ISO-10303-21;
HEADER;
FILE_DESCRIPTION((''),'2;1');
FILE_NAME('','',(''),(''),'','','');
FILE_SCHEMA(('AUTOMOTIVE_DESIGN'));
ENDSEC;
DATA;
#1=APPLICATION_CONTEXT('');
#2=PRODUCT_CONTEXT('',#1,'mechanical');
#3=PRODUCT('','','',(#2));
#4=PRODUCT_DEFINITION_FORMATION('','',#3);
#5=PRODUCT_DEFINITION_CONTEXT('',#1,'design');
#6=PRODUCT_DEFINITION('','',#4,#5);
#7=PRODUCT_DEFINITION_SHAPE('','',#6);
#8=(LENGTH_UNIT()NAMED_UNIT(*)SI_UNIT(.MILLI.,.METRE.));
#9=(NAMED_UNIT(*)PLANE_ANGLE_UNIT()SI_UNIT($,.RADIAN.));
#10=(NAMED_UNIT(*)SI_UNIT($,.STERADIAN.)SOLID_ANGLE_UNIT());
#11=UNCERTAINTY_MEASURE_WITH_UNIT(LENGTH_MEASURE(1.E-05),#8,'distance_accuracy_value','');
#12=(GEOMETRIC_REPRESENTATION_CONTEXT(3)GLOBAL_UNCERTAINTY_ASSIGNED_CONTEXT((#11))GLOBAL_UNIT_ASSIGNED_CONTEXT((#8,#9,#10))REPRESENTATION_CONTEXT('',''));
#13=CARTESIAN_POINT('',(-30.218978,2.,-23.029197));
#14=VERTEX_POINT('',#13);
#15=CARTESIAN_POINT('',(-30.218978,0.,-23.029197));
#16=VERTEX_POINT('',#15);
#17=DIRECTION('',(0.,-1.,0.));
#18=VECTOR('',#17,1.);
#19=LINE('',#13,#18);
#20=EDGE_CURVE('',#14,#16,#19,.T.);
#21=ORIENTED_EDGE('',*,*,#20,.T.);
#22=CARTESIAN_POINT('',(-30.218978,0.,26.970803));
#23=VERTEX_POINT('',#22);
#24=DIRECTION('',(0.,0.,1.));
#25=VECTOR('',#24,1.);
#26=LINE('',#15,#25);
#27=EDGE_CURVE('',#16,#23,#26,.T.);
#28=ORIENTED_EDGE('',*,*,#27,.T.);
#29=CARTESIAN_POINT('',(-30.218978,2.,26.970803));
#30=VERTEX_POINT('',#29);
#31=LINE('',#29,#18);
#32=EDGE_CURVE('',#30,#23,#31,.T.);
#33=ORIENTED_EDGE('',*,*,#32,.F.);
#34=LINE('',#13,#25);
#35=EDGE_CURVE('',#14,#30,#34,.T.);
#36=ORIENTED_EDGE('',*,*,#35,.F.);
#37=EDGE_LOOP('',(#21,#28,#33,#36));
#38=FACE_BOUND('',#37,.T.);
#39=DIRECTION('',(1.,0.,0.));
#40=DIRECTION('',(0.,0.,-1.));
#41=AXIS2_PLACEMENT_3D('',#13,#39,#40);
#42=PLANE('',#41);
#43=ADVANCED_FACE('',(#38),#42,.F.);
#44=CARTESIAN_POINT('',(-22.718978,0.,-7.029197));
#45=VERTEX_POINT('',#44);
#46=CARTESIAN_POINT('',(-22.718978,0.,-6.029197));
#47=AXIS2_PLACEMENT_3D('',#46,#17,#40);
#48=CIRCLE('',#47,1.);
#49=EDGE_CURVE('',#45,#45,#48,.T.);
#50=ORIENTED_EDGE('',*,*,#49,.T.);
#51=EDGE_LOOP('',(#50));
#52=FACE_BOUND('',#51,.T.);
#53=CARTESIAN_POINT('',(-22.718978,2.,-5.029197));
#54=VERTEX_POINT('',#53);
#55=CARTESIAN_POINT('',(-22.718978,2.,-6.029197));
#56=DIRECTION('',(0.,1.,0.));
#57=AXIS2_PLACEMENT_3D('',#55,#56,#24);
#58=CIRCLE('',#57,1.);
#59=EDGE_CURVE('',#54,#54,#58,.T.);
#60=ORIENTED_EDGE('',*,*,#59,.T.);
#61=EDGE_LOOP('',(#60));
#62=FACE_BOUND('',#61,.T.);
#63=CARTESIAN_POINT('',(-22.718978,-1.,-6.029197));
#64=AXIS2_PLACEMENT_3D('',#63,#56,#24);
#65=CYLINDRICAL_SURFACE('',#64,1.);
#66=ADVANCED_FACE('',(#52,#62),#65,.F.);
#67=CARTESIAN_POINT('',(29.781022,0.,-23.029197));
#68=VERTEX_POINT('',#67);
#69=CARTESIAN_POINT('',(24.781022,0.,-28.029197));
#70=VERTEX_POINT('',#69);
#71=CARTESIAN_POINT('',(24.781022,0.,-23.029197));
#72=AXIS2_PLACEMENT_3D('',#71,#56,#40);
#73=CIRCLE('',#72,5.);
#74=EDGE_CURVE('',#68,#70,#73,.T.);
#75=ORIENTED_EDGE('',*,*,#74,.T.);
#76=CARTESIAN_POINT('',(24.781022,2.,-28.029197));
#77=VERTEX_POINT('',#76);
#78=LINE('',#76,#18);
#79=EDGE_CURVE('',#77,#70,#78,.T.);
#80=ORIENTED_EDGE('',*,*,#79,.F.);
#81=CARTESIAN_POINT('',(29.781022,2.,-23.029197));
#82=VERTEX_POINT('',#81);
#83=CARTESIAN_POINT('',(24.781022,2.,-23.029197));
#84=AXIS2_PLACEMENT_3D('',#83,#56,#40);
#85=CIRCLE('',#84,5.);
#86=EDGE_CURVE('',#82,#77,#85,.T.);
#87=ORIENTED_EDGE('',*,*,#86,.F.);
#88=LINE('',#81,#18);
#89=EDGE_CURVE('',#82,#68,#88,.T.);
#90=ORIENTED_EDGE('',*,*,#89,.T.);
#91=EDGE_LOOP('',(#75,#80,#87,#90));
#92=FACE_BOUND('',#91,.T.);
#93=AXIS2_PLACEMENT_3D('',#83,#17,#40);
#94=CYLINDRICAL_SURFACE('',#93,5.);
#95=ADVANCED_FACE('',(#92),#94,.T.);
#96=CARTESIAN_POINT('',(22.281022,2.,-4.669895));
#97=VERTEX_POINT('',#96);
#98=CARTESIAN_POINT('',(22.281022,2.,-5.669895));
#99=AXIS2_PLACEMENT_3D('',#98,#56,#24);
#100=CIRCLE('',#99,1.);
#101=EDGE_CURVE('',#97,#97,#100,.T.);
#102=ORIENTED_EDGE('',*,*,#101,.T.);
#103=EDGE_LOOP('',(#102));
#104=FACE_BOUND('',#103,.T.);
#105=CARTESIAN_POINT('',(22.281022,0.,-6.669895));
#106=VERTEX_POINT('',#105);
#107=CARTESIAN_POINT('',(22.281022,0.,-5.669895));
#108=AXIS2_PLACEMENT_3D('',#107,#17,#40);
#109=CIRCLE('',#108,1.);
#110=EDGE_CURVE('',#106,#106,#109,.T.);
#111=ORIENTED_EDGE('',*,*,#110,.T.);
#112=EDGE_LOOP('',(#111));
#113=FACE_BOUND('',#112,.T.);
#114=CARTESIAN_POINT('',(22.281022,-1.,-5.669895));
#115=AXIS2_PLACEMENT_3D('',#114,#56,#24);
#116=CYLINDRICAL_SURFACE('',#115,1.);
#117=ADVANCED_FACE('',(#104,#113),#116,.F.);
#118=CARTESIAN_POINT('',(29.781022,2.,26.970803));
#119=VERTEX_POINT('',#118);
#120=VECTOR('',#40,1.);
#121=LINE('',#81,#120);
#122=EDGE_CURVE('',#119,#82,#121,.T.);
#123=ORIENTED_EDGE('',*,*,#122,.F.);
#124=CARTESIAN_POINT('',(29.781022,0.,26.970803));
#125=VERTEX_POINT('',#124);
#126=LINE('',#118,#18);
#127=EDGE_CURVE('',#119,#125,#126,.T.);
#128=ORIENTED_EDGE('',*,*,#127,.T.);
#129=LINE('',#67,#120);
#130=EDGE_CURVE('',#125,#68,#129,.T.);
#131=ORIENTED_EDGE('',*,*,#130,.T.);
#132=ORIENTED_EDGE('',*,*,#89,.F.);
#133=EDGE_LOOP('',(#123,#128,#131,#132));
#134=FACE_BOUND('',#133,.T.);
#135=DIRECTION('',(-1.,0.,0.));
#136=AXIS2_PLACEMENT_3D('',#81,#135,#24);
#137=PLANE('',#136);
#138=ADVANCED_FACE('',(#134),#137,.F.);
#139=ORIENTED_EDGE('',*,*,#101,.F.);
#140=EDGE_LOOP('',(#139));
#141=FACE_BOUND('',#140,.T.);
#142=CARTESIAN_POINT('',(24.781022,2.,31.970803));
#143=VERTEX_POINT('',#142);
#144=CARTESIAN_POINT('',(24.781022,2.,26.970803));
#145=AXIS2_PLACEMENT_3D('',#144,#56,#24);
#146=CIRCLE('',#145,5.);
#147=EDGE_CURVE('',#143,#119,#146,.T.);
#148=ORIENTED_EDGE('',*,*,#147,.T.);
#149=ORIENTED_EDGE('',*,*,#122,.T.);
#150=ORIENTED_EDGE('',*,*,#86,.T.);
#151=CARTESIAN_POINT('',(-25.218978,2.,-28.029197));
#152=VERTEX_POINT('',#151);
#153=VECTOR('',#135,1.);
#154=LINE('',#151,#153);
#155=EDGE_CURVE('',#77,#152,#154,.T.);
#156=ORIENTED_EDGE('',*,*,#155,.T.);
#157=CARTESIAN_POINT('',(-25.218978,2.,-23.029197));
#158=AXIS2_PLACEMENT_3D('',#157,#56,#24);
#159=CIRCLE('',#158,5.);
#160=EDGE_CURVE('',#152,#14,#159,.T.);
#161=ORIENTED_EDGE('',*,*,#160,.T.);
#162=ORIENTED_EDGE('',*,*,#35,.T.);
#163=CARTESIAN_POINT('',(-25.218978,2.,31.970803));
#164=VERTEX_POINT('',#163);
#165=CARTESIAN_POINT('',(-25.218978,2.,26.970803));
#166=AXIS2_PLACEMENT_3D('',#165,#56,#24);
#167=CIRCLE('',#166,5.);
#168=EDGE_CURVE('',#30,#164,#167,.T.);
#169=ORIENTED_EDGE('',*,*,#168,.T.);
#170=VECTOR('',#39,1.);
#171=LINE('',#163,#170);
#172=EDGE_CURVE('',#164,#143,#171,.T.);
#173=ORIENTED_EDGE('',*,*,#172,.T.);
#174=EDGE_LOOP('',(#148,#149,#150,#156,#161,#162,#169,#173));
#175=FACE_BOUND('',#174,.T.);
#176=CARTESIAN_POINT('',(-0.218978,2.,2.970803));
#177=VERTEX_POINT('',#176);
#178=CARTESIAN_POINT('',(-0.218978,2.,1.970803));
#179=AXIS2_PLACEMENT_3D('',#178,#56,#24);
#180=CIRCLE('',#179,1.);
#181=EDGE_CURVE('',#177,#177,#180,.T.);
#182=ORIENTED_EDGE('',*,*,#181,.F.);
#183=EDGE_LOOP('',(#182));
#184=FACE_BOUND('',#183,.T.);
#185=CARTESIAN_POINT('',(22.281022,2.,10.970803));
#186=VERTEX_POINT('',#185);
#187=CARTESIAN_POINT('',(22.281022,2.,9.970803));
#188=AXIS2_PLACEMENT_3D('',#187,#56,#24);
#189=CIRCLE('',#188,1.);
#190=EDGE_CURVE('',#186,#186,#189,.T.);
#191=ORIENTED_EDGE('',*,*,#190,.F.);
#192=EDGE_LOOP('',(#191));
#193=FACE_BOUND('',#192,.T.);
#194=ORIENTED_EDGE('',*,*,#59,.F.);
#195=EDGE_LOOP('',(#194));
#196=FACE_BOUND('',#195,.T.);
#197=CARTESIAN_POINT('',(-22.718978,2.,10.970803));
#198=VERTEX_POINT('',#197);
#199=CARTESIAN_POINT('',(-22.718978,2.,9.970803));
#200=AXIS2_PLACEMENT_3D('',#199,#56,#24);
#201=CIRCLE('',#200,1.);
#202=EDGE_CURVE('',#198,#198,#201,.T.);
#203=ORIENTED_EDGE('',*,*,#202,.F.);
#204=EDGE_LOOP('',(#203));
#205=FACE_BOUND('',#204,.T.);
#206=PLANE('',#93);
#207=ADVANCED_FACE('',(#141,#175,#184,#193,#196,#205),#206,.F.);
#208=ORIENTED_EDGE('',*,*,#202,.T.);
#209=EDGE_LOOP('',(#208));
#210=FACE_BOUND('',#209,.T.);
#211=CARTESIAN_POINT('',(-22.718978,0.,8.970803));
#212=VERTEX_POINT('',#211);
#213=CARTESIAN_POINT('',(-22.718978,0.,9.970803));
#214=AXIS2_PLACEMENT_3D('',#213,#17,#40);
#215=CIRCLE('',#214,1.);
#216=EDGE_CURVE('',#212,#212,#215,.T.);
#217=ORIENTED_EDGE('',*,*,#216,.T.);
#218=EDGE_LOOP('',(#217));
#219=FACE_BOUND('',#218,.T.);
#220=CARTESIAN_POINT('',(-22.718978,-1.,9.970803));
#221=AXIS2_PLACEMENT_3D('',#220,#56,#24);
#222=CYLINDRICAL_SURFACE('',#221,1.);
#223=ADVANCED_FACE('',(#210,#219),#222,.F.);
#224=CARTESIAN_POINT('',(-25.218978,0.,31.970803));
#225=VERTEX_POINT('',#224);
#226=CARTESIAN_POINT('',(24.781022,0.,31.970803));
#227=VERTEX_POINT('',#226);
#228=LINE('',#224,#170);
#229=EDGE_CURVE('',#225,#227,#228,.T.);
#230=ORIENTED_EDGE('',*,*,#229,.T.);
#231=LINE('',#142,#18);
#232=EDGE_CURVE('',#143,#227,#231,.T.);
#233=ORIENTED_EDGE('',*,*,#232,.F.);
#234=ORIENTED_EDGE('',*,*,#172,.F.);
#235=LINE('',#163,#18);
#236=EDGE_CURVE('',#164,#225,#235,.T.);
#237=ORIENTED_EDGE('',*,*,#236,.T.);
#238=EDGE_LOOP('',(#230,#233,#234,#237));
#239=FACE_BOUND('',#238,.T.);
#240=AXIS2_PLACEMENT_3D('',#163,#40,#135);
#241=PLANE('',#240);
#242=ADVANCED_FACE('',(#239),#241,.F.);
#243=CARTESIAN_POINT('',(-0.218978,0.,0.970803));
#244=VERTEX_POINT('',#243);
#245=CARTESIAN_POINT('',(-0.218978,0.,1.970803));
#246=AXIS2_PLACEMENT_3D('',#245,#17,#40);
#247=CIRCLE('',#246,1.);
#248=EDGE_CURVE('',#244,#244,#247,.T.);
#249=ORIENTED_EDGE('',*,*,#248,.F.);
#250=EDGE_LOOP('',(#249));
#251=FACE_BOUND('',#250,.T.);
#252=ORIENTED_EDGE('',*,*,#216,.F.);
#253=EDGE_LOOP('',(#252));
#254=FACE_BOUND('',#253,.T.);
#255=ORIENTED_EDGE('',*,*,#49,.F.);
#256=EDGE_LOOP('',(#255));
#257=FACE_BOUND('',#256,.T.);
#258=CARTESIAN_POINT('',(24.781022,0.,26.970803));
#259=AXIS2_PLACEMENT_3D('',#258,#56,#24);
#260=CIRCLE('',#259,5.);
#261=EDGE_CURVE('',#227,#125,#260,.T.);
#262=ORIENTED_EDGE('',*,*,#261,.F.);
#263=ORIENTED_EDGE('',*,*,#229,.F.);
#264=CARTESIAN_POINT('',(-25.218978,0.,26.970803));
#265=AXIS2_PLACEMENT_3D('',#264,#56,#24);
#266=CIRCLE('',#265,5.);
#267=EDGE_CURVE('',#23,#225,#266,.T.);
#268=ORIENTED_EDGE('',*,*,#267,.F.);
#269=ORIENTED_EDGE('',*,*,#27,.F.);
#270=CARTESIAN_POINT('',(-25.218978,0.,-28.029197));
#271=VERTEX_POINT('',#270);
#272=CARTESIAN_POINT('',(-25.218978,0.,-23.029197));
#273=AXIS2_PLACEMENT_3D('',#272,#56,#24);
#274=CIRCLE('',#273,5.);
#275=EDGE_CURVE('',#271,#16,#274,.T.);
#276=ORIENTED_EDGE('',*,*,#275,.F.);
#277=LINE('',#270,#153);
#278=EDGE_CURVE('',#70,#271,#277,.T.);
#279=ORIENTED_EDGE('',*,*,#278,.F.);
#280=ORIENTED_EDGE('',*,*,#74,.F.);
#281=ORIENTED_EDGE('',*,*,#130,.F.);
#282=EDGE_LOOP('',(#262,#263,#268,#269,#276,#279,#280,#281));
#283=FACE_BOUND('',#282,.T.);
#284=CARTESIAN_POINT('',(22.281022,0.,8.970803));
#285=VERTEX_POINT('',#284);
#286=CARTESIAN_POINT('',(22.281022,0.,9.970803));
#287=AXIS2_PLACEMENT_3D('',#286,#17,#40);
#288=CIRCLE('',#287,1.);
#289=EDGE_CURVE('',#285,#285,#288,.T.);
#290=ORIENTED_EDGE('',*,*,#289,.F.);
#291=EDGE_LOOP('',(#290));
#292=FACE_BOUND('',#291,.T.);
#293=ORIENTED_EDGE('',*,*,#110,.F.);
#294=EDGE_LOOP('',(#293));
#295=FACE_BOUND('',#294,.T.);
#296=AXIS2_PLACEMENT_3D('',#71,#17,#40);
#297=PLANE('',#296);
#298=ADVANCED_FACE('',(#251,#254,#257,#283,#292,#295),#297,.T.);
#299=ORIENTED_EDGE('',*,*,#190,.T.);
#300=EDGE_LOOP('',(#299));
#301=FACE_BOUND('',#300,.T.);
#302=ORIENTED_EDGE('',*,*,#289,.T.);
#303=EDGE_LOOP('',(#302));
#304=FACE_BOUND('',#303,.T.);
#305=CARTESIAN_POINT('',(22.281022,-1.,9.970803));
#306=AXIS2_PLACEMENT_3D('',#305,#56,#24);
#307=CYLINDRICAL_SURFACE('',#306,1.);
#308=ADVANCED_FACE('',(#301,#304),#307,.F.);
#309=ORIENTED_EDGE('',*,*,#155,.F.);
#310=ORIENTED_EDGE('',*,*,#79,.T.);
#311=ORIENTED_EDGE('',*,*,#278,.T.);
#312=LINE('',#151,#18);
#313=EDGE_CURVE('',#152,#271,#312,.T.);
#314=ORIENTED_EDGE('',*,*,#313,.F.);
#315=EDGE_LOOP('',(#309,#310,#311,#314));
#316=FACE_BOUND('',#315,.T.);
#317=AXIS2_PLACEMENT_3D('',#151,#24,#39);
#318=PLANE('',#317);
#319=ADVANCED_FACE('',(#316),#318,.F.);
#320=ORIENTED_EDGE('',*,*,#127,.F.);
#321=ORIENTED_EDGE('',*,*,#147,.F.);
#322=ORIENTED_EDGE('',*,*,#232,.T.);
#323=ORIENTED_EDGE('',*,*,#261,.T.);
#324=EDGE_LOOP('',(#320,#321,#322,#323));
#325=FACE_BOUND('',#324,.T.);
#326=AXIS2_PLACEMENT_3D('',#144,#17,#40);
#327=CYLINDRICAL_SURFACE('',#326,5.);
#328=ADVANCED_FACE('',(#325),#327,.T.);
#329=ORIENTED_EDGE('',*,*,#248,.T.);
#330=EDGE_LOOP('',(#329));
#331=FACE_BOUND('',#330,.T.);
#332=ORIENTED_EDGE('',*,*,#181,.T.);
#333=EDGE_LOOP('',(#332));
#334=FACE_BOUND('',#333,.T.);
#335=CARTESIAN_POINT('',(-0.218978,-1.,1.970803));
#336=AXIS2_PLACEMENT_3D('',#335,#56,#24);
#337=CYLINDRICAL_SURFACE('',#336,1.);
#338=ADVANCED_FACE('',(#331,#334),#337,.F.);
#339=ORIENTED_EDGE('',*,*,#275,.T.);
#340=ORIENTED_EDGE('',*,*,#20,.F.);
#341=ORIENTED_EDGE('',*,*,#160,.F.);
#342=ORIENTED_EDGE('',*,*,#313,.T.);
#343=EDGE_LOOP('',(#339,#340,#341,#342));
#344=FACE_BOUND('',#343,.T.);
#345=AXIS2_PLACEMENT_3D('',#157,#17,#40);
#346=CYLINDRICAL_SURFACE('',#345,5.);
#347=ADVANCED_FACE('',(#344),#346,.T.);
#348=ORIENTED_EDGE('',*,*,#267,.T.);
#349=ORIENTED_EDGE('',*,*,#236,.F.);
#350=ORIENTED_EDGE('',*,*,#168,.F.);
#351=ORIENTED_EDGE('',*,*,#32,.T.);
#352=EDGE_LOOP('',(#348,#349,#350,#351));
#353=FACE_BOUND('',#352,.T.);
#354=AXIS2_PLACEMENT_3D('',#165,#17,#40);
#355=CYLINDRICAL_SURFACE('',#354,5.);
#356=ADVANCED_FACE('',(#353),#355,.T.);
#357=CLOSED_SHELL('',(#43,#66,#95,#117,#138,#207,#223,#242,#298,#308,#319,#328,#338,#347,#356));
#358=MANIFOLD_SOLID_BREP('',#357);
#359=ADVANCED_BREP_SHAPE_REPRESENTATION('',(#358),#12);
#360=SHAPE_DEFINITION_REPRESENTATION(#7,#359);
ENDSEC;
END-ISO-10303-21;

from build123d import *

# Parameters (mm, degrees)
BOSS_EXTRUDE1_DEPTH = 2
SKETCH2_R           = 1
CUT_EXTRUDE1_DEPTH  = 3


with BuildPart() as part:
    # Sketch1 → Boss-Extrude1 (new body)
    with BuildSketch(Plane(origin=(0, 0, 0), x_dir=(1, 0, 0), z_dir=(0, 1, 0))):
        with BuildLine():
            Line((-25.218978102, 28.02919708), (24.781021898, 28.02919708))
            ThreePointArc((24.781021898, 28.02919708), (28.316555804, 26.564730986), (29.781021898, 23.02919708))
            Line((29.781021898, 23.02919708), (29.781021898, -26.97080292))
            ThreePointArc((29.781021898, -26.97080292), (28.316555804, -30.506336826), (24.781021898, -31.97080292))
            Line((24.781021898, -31.97080292), (-25.218978102, -31.97080292))
            ThreePointArc((-25.218978102, -31.97080292), (-28.754512008, -30.506336826), (-30.218978102, -26.97080292))
            Line((-30.218978102, -26.97080292), (-30.218978102, 23.02919708))
            ThreePointArc((-30.218978102, 23.02919708), (-28.754512008, 26.564730986), (-25.218978102, 28.02919708))
        make_face()
    extrude(amount=BOSS_EXTRUDE1_DEPTH)

    # Sketch2 → Cut-Extrude1 (cut)
    with BuildSketch(Plane(origin=(0, 2, 0), x_dir=(1, 0, 0), z_dir=(0, 1, 0))):
        with Locations(Location((-22.718978102, 6.02919708, 0), (0, 0, 270))):
            Circle(SKETCH2_R)
        with Locations(Location((-22.718978102, -9.97080292, 0), (0, 0, 270))):
            Circle(SKETCH2_R)
        with Locations(Location((22.281021898, 5.669895239, 0), (0, 0, 270))):
            Circle(SKETCH2_R)
        with Locations(Location((22.281021898, -9.97080292, 0), (0, 0, 270))):
            Circle(SKETCH2_R)
        with Locations(Location((-0.218978102, -1.97080292, 0), (0, 0, 270))):
            Circle(SKETCH2_R)
    extrude(amount=-CUT_EXTRUDE1_DEPTH, mode=Mode.SUBTRACT)


solid = part.part
